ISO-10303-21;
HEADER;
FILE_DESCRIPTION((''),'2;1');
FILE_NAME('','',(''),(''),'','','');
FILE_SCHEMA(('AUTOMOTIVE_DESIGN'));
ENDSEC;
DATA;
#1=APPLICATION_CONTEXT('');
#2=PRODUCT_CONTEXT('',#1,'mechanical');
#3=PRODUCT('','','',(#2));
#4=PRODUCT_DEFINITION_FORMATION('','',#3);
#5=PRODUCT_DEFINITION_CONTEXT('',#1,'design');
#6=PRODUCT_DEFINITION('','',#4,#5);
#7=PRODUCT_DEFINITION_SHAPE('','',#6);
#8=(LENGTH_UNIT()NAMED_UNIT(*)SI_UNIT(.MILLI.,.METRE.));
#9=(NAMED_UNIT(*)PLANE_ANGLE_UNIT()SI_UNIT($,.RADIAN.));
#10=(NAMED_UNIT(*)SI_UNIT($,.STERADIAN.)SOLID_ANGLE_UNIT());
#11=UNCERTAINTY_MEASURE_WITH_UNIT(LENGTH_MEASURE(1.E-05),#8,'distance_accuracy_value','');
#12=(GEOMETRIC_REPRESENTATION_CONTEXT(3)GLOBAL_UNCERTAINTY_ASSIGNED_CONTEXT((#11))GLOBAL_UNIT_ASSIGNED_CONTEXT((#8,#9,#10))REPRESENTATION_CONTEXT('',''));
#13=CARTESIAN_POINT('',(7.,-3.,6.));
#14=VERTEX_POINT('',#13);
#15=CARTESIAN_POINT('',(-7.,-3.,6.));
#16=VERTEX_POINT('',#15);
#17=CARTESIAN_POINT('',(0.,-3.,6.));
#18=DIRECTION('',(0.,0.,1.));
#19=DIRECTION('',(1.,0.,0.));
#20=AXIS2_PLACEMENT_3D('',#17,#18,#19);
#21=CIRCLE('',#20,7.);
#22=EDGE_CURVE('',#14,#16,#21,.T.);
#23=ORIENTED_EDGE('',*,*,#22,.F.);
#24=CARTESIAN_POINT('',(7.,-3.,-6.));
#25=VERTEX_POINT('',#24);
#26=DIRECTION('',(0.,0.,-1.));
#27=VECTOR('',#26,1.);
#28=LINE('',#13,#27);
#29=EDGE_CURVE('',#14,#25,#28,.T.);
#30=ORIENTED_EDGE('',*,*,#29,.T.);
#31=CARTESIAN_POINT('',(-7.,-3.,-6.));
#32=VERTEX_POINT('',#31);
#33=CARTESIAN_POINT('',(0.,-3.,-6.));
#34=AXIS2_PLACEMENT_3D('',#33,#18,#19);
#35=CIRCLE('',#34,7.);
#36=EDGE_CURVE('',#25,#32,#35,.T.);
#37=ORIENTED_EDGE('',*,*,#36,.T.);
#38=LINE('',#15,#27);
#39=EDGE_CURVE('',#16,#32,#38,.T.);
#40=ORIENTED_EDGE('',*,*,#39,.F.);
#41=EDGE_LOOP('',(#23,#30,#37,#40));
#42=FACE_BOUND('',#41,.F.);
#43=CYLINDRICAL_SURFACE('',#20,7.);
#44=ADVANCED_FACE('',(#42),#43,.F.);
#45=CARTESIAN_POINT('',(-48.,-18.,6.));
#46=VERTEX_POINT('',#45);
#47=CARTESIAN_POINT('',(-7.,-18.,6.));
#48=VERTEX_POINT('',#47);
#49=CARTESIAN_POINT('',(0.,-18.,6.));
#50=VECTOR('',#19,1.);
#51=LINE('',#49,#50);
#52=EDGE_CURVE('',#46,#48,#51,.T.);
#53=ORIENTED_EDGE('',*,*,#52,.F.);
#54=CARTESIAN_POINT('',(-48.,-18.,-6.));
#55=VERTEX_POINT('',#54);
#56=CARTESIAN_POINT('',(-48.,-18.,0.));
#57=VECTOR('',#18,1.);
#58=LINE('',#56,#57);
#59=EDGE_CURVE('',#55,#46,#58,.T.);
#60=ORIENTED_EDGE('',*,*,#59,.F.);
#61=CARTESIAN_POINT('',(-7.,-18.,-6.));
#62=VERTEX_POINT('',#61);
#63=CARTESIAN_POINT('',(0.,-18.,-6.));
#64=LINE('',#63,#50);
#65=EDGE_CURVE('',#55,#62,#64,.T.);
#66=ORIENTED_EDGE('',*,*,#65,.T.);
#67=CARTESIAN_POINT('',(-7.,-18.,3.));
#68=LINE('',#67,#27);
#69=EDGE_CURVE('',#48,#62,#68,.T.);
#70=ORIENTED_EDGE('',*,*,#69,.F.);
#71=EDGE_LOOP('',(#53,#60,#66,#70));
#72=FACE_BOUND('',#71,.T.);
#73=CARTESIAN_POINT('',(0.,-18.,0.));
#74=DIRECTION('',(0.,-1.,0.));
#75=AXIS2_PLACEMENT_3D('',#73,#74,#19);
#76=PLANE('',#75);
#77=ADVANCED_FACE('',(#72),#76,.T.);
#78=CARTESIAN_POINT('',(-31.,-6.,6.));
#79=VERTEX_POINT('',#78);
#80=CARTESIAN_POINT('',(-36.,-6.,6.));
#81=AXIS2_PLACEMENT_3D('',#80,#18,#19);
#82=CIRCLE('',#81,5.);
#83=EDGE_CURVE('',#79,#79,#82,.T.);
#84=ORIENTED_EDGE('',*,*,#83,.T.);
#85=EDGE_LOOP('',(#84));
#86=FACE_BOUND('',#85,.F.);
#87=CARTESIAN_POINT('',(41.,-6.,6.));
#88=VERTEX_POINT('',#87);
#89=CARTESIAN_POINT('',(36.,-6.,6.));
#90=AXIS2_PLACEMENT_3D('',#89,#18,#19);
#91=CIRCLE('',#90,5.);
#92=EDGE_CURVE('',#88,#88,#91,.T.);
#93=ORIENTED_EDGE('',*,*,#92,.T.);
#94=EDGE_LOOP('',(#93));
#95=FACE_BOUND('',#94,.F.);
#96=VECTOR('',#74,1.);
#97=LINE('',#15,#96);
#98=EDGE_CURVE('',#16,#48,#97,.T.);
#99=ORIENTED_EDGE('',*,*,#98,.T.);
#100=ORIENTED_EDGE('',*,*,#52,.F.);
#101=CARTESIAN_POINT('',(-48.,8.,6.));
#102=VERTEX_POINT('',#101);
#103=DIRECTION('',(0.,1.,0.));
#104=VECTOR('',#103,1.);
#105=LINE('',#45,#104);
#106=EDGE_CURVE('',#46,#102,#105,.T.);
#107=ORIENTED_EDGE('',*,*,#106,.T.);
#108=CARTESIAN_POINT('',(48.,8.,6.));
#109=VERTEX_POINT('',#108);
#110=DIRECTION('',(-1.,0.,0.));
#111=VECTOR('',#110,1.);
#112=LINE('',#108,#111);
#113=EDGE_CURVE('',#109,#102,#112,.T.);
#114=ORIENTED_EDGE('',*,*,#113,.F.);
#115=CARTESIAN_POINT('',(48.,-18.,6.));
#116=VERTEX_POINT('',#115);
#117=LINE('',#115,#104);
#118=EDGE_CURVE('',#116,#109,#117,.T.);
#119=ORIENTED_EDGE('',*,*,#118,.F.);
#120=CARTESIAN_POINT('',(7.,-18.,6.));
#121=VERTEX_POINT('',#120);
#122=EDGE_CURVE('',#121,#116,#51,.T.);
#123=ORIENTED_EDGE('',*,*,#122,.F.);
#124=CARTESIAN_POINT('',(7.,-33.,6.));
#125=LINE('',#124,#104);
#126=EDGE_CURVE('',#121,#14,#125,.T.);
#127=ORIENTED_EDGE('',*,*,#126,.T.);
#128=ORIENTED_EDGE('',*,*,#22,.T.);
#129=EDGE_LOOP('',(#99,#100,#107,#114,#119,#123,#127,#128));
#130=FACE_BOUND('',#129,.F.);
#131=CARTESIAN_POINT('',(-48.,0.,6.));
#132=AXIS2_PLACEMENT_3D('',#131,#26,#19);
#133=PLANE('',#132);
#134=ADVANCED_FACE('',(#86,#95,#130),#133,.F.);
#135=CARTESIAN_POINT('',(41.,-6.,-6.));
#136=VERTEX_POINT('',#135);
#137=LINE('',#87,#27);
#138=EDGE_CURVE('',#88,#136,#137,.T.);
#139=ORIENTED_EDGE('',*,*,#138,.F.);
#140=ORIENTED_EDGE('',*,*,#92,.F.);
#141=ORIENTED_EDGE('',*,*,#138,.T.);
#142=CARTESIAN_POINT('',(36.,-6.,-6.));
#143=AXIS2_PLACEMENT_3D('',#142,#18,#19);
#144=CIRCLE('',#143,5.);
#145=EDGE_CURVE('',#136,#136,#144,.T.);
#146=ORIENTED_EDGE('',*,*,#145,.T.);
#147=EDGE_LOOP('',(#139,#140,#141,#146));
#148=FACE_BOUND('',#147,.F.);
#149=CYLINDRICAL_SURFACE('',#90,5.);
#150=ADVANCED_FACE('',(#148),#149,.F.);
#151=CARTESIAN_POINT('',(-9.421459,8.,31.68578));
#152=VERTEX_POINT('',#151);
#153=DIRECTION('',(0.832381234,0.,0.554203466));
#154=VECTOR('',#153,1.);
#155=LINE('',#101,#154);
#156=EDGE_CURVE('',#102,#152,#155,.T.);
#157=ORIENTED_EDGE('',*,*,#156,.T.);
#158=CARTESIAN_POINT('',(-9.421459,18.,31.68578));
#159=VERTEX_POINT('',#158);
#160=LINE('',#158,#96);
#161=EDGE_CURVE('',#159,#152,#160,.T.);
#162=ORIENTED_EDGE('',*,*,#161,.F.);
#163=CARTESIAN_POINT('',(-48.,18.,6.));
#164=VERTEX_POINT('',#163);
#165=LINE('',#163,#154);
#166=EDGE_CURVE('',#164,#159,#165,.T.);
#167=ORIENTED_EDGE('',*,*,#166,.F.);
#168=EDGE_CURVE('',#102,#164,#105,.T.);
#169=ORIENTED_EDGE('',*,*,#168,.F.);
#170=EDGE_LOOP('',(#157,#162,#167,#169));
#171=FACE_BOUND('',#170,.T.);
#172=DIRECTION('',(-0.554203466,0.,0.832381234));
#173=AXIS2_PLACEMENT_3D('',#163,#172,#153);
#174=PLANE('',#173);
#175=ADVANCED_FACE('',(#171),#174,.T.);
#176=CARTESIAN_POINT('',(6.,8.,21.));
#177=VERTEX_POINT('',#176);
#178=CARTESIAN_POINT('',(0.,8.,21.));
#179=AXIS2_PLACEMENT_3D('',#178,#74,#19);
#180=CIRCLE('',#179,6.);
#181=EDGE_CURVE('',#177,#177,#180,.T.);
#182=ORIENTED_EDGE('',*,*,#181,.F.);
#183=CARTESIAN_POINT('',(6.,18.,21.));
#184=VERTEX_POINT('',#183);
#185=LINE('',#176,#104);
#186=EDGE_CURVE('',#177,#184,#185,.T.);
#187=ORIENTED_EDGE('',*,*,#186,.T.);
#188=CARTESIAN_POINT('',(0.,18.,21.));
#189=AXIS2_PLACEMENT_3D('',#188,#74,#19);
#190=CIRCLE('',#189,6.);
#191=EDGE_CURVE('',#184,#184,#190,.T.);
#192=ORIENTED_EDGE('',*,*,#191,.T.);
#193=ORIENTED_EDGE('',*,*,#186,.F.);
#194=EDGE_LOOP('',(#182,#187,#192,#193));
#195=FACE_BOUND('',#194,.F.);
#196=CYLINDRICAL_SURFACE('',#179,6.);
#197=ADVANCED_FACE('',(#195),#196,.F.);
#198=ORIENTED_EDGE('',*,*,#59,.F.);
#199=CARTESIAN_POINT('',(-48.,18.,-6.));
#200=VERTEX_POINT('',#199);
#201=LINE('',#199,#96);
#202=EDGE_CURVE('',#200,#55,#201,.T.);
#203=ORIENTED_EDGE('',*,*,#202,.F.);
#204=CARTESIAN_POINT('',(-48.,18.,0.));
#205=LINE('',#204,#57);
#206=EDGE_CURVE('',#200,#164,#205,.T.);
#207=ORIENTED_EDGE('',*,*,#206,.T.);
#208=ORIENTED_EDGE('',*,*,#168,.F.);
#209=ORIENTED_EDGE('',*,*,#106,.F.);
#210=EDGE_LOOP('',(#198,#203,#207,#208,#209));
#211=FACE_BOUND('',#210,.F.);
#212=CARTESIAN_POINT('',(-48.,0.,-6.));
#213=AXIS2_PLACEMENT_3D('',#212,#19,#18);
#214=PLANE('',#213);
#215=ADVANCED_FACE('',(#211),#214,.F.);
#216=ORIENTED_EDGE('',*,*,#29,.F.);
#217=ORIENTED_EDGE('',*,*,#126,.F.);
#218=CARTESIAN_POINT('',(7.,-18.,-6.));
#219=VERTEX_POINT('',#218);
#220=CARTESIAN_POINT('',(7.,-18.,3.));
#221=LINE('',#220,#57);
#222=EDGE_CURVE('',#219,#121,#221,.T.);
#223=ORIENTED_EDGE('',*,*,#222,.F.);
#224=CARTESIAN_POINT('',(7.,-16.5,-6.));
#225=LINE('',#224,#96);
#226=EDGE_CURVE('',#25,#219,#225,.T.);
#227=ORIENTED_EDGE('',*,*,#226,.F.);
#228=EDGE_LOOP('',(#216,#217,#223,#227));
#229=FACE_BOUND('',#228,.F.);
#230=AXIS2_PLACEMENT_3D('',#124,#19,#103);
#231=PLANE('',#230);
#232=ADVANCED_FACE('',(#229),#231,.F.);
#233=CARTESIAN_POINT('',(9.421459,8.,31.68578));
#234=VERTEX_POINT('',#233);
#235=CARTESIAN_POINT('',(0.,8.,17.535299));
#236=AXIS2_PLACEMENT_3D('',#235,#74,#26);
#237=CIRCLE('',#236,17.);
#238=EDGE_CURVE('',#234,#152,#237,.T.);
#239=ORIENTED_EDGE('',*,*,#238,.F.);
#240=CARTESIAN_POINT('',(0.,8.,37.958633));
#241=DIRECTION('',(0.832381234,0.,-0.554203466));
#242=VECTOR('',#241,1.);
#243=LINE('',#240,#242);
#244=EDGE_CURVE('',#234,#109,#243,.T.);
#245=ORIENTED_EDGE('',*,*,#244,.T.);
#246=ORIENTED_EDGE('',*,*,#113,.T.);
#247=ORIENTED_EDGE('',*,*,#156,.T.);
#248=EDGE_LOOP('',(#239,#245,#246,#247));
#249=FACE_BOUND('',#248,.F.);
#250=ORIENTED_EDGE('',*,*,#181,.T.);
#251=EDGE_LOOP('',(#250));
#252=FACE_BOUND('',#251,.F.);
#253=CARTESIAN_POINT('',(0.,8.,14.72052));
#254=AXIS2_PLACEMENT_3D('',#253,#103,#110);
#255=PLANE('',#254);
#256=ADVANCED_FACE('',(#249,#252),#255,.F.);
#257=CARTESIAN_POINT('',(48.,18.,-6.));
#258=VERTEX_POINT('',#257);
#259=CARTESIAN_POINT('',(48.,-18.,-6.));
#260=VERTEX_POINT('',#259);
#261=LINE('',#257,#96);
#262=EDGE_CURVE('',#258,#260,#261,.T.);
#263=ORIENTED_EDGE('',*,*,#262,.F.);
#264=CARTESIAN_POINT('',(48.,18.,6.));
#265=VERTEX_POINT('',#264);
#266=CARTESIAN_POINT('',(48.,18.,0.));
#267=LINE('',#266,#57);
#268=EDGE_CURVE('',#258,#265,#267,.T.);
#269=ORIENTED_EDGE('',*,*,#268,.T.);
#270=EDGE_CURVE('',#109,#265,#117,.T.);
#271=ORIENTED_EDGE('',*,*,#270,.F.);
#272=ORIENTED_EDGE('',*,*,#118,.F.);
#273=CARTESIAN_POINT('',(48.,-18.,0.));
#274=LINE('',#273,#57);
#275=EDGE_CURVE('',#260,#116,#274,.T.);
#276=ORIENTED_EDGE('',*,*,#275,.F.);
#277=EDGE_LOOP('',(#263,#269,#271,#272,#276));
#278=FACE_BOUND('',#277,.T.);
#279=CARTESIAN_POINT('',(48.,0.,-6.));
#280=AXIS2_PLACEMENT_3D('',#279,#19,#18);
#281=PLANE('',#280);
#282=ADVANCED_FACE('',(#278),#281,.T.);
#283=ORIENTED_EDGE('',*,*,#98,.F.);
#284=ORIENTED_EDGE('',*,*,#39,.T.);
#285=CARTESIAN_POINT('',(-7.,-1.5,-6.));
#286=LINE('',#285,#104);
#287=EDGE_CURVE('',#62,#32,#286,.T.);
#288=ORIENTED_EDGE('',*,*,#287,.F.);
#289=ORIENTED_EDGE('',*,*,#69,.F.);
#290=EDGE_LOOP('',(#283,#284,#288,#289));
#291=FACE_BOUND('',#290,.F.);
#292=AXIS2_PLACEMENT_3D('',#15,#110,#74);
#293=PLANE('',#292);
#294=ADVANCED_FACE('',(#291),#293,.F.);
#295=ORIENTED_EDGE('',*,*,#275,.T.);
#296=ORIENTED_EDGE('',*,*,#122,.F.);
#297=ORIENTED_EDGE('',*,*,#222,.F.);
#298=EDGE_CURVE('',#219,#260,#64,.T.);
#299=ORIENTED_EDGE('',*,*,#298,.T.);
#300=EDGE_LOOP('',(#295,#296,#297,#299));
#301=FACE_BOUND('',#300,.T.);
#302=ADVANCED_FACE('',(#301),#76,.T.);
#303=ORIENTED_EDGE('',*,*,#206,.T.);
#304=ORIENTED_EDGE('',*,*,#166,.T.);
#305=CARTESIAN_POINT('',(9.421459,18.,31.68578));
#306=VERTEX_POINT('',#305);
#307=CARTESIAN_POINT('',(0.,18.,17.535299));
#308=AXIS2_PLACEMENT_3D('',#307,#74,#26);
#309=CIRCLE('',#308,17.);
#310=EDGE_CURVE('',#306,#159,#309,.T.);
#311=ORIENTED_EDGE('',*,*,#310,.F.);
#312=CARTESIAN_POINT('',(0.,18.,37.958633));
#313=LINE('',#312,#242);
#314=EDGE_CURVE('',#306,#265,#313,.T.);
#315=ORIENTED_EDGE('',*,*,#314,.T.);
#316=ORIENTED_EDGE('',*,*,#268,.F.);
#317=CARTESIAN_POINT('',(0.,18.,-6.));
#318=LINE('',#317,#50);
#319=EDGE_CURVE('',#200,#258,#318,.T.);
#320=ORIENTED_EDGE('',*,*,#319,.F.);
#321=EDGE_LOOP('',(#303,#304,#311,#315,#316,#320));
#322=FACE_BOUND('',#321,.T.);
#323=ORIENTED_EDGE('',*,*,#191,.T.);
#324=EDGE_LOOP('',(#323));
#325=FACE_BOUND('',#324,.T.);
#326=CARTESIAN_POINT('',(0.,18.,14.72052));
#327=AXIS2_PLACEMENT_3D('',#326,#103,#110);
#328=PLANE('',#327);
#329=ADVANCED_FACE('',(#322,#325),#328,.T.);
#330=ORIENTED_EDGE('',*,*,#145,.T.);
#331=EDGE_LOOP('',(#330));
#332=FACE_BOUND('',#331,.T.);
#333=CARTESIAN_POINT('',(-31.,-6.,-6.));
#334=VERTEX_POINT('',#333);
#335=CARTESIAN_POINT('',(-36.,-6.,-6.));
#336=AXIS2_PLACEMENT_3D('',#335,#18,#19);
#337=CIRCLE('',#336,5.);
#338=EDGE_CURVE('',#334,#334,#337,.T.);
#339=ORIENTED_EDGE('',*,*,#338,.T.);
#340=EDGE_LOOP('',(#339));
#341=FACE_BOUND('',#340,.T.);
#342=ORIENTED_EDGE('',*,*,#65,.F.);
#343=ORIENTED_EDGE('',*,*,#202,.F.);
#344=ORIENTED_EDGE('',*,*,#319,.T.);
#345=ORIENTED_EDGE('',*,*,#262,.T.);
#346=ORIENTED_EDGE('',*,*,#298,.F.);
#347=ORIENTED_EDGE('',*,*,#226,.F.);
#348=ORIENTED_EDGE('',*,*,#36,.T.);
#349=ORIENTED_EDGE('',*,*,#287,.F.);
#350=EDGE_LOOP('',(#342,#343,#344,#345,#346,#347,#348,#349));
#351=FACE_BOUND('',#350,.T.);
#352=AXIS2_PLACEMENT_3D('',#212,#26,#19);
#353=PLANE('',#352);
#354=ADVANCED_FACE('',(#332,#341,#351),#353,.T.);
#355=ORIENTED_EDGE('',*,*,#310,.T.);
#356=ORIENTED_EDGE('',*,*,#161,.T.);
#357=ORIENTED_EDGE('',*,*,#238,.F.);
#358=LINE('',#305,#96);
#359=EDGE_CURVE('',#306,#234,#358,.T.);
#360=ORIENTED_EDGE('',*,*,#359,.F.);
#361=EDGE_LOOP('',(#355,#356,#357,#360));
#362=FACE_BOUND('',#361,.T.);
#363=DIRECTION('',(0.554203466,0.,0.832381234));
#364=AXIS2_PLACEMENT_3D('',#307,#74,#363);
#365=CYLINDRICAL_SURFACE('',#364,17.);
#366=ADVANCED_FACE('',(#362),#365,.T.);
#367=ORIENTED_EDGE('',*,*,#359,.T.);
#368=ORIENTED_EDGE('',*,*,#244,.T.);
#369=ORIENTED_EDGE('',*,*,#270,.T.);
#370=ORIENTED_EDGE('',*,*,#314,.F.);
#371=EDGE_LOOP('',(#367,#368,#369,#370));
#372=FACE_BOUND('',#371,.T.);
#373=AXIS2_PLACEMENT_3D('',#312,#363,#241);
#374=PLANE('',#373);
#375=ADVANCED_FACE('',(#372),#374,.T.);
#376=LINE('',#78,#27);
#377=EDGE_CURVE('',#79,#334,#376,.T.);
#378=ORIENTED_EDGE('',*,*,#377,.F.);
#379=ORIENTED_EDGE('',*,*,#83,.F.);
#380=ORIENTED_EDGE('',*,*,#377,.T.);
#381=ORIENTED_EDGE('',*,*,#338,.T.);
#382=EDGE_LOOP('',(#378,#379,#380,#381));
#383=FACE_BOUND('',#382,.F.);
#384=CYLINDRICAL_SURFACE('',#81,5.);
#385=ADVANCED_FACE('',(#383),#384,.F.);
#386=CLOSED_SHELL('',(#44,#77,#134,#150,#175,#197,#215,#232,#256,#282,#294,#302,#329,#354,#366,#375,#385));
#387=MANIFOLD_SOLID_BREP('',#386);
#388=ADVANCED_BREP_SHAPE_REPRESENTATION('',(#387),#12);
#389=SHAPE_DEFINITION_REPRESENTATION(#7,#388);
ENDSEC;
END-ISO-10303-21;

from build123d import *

# Parameters (mm, degrees)
F0_W      = 96
F0_H      = 12
F1_DEPTH  = 18
F3_DEPTH  = 10
F4_R      = 17
F5_R      = 6
F6_DEPTH  = 10.001
F7_W      = 14
F7_H      = 15
F8_DEPTH  = 25
F9_R      = 7
F10_DEPTH = 25
F11_R     = 5
F12_DEPTH = 12.001


with BuildPart() as f1:
    # F0 (on Front) → F1 (new body, symmetric)
    with BuildSketch(Plane.XZ):
        Rectangle(F0_W, F0_H)
    extrude(amount=F1_DEPTH, both=True)

    # F2 (on face) → F3 (join)
    with BuildSketch(Plane(origin=(0, 18, 0), x_dir=(-1, 0, 0), z_dir=(0, 1, 0))):
        Polygon((0, 37.958633), (-48, 6), (48, 6), align=None)
    extrude(amount=-F3_DEPTH)

    # F4
    f4_edges = [f1.edges().sort_by_distance(p)[0] for p in [
        (0, 13, 37.958633),
    ]]
    fillet(f4_edges, radius=F4_R)

    # F5 (on face) → F6 (cut, through all)
    with BuildSketch(Plane.XZ.offset(-8)):
        with Locations((0, 21)):
            Circle(F5_R)
    extrude(amount=-F6_DEPTH, mode=Mode.SUBTRACT)

    # F7 (on face) → F8 (cut)
    with BuildSketch(Plane.XY.offset(6)):
        with Locations((0, -10.5)):
            Rectangle(F7_W, F7_H)
        with Locations((0, -25.5)):
            Rectangle(F7_W, F7_H)
    extrude(amount=-F8_DEPTH, mode=Mode.SUBTRACT)

    # F9 (on face) → F10 (cut)
    with BuildSketch(Plane.XY.offset(6)):
        with Locations((0, -3)):
            Circle(F9_R)
    extrude(amount=-F10_DEPTH, mode=Mode.SUBTRACT)

    # F11 (on face) → F12 (cut, through all)
    with BuildSketch(Plane.XY.offset(6)):
        with Locations((36, -6)):
            Circle(F11_R)
        with Locations((-36, -6)):
            Circle(F11_R)
    extrude(amount=-F12_DEPTH, mode=Mode.SUBTRACT)


solid = f1.part
